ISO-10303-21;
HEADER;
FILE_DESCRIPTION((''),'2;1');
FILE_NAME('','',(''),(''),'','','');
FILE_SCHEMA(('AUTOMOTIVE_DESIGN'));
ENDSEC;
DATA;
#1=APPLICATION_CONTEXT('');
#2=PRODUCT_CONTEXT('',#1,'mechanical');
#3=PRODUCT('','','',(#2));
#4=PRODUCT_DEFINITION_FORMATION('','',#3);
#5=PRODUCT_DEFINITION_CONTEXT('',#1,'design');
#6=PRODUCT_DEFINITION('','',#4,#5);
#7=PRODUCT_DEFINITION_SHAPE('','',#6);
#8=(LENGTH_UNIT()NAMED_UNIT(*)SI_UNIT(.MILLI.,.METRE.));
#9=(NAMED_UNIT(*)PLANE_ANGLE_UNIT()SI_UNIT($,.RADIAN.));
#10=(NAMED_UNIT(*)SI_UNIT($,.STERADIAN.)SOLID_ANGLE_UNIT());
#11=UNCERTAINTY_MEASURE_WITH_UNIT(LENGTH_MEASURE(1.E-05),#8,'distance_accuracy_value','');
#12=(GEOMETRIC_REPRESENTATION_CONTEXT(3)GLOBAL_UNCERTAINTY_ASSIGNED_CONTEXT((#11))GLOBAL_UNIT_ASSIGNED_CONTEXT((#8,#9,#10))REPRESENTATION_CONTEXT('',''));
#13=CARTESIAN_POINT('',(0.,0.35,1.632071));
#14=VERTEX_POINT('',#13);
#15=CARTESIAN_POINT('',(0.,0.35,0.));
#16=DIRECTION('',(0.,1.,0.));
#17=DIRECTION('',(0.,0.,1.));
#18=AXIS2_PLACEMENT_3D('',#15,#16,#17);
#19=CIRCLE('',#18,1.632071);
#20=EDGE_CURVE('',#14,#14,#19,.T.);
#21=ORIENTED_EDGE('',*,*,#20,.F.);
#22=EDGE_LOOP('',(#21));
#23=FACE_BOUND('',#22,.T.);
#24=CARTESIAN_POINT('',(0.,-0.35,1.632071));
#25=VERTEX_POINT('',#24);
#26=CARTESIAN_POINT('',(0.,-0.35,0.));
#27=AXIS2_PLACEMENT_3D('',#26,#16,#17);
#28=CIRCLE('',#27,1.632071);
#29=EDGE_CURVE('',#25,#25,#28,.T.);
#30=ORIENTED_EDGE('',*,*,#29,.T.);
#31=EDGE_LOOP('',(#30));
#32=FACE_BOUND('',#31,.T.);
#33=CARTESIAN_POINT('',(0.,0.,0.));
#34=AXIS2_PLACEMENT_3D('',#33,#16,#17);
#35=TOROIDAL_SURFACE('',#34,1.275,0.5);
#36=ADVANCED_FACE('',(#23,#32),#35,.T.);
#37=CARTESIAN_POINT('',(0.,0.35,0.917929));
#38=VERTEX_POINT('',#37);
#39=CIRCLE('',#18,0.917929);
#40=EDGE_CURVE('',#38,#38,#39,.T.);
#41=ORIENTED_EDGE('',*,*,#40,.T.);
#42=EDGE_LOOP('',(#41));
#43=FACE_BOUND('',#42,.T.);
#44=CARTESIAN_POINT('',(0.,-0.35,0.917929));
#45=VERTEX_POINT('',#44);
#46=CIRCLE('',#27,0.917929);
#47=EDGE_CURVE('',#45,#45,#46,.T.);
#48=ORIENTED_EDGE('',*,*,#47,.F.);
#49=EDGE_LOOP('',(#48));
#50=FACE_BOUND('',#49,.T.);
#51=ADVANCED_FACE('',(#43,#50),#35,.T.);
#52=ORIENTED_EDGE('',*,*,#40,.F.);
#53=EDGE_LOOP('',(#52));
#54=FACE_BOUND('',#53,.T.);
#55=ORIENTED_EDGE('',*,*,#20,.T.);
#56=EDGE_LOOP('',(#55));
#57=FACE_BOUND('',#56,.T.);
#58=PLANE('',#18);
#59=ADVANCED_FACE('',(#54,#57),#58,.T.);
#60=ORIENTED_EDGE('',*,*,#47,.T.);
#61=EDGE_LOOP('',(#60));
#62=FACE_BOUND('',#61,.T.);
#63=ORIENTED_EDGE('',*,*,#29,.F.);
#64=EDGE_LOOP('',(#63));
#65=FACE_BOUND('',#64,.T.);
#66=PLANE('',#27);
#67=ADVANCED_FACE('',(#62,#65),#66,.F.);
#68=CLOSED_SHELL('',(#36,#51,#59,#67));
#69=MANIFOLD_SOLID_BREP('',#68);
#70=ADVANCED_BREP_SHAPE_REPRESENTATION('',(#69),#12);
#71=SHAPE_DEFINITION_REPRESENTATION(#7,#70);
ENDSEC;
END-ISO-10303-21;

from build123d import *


with BuildPart() as part:
    # Sketch2 → Revolve1 (revolve)
    with BuildSketch(Plane.XY, mode=Mode.PRIVATE) as revolve1_sk:
        with BuildLine():
            Line((1.632071421, 0.35), (0.917928579, 0.35))
            ThreePointArc((0.917928579, 0.35), (0.775, 0), (0.917928579, -0.35))
            Line((0.917928579, -0.35), (1.632071421, -0.35))
            ThreePointArc((1.632071421, -0.35), (1.73789076, -0.189029481), (1.775, 0))
            ThreePointArc((1.775, 0), (1.73789076, 0.189029481), (1.632071421, 0.35))
        make_face()
    revolve(revolve1_sk.sketch.rotate(Axis((0, 0.067477235, 0), (0, -1, 0)), 90), axis=Axis((0, 0.067477235, 0), (0, -1, 0)))


solid = part.part
